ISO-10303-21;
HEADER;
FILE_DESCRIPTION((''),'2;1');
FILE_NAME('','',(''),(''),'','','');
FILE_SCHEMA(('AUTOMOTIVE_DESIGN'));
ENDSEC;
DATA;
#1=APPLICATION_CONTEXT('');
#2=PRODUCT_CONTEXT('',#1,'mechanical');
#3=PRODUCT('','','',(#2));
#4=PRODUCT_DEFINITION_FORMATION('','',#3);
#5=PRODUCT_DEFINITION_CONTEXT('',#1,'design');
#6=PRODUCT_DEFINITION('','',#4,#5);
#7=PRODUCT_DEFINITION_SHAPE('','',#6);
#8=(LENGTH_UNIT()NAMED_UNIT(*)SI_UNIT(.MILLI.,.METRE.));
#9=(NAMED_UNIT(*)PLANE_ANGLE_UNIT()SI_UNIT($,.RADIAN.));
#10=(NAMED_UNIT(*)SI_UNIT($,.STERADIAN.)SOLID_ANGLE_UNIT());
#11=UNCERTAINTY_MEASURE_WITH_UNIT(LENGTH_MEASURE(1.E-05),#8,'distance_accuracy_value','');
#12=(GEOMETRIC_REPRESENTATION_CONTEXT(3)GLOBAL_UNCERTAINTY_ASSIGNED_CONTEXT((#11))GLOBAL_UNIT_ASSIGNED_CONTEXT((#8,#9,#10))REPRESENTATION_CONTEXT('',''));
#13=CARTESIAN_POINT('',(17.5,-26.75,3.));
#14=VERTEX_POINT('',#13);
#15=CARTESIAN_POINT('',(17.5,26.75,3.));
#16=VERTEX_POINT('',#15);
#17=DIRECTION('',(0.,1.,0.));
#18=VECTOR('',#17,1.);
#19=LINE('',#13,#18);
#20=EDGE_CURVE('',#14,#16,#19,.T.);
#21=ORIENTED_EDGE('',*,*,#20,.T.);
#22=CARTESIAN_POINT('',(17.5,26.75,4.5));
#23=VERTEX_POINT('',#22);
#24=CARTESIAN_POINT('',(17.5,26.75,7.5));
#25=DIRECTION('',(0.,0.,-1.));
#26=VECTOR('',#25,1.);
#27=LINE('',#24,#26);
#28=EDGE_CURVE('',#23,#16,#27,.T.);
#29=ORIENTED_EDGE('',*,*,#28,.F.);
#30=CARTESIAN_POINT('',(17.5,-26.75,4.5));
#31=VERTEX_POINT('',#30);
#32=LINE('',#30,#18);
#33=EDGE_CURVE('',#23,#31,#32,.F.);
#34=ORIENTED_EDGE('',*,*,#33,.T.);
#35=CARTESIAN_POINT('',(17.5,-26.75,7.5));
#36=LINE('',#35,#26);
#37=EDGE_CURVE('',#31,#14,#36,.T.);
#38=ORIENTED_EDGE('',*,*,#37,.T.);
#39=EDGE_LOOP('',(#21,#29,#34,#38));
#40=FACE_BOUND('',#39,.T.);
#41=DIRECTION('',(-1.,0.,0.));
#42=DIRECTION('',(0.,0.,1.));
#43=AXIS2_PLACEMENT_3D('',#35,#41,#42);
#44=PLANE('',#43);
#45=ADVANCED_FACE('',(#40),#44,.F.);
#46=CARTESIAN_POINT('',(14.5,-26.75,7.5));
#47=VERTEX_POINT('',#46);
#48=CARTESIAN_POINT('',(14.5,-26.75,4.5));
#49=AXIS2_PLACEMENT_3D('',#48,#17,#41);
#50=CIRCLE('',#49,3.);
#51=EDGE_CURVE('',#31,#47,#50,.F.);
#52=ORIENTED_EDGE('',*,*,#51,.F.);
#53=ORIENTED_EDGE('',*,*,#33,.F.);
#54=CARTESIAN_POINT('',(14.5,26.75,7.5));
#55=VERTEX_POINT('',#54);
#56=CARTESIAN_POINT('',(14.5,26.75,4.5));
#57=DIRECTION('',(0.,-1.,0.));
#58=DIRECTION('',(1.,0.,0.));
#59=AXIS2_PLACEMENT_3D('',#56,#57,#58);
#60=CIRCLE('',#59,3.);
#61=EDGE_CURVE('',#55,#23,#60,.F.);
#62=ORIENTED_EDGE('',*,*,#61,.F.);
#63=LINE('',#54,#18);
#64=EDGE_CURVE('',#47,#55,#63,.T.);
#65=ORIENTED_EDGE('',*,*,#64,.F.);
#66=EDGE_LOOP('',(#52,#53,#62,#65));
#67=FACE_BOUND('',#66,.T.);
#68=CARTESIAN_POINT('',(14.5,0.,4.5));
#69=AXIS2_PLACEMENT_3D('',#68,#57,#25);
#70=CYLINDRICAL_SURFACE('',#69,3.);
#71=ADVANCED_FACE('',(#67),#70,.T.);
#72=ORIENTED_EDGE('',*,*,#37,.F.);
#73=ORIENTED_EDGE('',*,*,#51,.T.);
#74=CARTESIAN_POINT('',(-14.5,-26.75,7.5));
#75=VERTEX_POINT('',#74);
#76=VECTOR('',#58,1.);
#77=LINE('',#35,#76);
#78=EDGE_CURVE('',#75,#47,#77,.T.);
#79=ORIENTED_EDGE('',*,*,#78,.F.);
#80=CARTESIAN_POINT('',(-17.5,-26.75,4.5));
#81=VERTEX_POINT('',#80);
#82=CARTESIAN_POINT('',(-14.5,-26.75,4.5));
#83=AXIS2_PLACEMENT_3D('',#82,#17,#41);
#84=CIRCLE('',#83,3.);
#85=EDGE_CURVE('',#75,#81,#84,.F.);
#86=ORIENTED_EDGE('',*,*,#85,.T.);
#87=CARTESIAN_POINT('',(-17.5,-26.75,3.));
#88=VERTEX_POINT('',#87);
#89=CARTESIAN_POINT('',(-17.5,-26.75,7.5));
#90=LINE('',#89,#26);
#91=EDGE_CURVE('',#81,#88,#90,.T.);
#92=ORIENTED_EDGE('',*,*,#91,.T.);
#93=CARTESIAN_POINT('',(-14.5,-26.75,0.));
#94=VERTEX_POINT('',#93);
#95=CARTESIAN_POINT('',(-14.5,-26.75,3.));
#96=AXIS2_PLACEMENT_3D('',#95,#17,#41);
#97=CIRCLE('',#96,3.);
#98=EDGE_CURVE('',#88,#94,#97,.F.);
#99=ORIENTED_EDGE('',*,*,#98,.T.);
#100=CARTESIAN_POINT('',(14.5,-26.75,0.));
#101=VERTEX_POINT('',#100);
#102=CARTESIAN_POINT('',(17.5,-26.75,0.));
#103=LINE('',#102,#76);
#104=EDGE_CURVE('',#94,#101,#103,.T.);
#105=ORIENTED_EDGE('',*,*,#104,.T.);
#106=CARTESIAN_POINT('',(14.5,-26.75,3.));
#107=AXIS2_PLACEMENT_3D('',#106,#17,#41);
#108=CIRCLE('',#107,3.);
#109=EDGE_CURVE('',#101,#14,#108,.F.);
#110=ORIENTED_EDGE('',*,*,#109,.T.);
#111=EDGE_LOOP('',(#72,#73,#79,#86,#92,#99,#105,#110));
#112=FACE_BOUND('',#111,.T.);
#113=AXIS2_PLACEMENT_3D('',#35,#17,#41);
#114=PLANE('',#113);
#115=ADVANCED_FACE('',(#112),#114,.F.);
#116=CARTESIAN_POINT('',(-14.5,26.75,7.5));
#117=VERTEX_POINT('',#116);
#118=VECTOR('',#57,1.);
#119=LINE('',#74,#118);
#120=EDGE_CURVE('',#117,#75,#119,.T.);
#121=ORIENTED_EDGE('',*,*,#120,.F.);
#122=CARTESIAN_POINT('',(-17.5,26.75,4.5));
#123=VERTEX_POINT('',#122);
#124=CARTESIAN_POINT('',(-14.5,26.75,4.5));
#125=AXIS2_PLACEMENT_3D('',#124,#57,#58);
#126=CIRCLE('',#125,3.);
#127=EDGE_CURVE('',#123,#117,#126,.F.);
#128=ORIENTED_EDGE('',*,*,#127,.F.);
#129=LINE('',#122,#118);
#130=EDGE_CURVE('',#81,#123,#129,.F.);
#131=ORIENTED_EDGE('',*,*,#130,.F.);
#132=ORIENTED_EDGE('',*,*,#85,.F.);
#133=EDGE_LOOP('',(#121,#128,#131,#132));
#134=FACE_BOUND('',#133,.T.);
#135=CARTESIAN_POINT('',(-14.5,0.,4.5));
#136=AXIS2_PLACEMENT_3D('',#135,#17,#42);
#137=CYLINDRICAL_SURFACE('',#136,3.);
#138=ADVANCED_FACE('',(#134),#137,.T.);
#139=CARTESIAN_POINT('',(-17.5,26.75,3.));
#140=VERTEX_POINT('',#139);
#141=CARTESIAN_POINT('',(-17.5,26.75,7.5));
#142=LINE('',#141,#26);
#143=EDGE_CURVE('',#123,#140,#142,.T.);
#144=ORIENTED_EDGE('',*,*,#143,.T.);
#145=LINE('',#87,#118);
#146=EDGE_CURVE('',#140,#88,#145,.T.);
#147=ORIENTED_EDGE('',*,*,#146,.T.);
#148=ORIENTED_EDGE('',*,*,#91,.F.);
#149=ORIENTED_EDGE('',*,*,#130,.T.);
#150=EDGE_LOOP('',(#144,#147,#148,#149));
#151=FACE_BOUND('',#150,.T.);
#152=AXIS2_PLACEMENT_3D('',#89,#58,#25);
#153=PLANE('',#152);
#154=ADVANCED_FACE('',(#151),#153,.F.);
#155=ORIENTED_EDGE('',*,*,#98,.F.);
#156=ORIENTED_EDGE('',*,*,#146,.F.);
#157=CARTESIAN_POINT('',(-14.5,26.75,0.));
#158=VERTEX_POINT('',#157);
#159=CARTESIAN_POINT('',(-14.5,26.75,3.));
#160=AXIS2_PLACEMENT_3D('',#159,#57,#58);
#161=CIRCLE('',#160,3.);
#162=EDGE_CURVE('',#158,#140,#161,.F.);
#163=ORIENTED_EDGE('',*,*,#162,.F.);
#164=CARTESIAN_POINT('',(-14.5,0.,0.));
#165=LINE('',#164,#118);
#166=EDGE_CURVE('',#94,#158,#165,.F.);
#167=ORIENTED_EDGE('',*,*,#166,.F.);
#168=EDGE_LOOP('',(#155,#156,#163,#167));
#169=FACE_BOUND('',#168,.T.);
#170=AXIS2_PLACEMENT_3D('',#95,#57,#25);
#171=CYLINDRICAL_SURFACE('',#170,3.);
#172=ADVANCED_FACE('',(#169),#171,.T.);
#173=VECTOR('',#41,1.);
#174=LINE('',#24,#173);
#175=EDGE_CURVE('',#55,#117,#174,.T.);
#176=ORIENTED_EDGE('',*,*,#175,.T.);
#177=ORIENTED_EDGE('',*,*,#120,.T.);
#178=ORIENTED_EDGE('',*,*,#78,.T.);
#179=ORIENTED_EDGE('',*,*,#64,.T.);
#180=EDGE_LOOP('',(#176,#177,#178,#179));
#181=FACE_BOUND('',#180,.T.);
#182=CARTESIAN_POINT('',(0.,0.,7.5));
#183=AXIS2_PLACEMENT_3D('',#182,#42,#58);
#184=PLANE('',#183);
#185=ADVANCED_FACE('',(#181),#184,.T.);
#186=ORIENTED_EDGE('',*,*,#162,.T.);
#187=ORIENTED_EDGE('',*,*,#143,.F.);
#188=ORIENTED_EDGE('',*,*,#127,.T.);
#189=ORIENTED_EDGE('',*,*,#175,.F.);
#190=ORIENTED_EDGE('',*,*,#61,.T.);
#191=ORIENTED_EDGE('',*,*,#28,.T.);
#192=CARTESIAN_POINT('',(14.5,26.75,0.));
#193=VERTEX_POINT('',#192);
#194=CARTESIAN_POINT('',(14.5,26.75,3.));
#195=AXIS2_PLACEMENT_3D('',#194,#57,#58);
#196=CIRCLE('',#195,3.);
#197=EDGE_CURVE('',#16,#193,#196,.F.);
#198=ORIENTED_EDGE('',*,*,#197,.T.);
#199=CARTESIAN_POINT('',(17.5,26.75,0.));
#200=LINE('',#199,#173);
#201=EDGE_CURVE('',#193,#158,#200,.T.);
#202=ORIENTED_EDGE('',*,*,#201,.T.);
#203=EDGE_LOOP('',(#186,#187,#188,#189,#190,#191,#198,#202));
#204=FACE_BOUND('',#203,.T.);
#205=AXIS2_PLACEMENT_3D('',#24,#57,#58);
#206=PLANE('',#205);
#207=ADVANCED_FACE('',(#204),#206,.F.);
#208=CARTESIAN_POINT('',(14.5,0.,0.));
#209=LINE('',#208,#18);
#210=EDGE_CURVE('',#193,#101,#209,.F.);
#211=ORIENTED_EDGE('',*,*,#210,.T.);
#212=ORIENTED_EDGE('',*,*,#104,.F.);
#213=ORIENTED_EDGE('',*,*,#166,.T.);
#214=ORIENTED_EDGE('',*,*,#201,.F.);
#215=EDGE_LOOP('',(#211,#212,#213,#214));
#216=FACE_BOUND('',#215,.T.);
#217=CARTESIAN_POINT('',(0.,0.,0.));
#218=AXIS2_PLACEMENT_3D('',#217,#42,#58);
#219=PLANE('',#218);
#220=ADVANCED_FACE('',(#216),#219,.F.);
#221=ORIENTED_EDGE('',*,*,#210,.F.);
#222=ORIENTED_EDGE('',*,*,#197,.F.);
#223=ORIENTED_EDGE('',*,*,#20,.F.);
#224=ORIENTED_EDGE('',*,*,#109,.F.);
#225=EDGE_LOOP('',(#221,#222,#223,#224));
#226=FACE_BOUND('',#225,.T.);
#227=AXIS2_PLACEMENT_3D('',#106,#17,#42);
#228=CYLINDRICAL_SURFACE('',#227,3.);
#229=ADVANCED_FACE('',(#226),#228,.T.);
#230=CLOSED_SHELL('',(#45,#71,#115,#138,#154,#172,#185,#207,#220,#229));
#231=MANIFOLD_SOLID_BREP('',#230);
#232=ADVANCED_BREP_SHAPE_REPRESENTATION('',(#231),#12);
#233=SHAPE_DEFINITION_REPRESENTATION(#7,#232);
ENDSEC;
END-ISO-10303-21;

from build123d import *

# Parameters (mm, degrees)
CROQUIS1_W              = 35
CROQUIS1_H              = 53.5
SALIENTE_EXTRUIR1_DEPTH = 7.5
REDONDEO1_R             = 3


with BuildPart() as part:
    # Croquis1 → Saliente-Extruir1 (new body)
    with BuildSketch(Plane.XY):
        Rectangle(CROQUIS1_W, CROQUIS1_H)
    extrude(amount=SALIENTE_EXTRUIR1_DEPTH)

    # Redondeo1
    redondeo1_edges = [part.edges().sort_by_distance(p)[0] for p in [
        (17.5, 0, 7.5),
        (-17.5, 0, 7.5),
        (17.5, 0, 0),
        (-17.5, 0, 0),
    ]]
    fillet(redondeo1_edges, radius=REDONDEO1_R)


solid = part.part
